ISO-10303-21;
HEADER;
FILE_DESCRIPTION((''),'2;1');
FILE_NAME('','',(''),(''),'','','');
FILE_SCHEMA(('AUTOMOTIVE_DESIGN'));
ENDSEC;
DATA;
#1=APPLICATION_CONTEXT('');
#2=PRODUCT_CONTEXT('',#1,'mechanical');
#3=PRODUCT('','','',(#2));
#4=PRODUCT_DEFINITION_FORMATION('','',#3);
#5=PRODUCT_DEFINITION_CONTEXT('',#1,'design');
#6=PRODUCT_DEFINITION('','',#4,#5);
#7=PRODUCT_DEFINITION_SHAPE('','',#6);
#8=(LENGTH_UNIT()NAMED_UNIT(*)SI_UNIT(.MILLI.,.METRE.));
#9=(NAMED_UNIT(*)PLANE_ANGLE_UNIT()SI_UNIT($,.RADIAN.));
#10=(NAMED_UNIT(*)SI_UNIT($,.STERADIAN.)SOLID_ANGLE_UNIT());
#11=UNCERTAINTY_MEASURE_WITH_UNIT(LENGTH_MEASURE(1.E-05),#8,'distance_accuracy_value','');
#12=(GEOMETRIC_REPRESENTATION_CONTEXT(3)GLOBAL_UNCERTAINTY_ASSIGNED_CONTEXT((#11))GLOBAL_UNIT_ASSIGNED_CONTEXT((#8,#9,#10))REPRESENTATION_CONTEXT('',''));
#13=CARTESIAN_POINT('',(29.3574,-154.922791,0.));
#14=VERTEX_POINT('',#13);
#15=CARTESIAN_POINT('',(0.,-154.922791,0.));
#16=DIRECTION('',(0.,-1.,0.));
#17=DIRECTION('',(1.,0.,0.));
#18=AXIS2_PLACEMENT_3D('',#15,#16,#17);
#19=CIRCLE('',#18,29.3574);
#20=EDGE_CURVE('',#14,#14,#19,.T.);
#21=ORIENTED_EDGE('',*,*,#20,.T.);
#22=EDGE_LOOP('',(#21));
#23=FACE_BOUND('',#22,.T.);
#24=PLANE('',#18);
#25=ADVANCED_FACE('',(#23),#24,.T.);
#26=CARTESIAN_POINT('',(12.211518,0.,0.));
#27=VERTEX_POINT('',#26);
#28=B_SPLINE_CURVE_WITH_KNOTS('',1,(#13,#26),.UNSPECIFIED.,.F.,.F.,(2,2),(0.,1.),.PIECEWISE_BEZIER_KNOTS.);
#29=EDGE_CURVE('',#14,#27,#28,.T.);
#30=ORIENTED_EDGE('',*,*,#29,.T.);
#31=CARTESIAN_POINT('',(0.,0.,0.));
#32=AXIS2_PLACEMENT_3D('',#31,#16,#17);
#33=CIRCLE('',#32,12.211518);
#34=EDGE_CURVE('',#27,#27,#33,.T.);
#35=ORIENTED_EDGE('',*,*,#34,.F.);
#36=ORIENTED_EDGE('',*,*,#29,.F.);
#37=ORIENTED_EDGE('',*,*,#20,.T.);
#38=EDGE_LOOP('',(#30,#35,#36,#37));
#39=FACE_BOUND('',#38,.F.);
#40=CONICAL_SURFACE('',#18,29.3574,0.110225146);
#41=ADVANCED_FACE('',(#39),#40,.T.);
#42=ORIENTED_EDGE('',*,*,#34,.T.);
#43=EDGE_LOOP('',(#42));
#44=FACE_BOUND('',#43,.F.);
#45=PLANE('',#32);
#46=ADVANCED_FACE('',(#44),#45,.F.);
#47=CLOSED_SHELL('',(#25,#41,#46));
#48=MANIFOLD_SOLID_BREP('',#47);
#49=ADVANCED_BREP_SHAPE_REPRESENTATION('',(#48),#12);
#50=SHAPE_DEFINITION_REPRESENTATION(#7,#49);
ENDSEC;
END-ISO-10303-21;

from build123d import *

# Parameters (mm, degrees)
F2_R = 29.3574
F0_R = 12.211518


with BuildPart() as f3:
    # F2 (on offset) → F3 section 0
    with BuildSketch(Plane.XZ.offset(154.922791)):
        Circle(F2_R)
    # F0 (on Front) → F3 section 1
    with BuildSketch(Plane.XZ):
        Circle(F0_R)
    loft()


solid = f3.part
